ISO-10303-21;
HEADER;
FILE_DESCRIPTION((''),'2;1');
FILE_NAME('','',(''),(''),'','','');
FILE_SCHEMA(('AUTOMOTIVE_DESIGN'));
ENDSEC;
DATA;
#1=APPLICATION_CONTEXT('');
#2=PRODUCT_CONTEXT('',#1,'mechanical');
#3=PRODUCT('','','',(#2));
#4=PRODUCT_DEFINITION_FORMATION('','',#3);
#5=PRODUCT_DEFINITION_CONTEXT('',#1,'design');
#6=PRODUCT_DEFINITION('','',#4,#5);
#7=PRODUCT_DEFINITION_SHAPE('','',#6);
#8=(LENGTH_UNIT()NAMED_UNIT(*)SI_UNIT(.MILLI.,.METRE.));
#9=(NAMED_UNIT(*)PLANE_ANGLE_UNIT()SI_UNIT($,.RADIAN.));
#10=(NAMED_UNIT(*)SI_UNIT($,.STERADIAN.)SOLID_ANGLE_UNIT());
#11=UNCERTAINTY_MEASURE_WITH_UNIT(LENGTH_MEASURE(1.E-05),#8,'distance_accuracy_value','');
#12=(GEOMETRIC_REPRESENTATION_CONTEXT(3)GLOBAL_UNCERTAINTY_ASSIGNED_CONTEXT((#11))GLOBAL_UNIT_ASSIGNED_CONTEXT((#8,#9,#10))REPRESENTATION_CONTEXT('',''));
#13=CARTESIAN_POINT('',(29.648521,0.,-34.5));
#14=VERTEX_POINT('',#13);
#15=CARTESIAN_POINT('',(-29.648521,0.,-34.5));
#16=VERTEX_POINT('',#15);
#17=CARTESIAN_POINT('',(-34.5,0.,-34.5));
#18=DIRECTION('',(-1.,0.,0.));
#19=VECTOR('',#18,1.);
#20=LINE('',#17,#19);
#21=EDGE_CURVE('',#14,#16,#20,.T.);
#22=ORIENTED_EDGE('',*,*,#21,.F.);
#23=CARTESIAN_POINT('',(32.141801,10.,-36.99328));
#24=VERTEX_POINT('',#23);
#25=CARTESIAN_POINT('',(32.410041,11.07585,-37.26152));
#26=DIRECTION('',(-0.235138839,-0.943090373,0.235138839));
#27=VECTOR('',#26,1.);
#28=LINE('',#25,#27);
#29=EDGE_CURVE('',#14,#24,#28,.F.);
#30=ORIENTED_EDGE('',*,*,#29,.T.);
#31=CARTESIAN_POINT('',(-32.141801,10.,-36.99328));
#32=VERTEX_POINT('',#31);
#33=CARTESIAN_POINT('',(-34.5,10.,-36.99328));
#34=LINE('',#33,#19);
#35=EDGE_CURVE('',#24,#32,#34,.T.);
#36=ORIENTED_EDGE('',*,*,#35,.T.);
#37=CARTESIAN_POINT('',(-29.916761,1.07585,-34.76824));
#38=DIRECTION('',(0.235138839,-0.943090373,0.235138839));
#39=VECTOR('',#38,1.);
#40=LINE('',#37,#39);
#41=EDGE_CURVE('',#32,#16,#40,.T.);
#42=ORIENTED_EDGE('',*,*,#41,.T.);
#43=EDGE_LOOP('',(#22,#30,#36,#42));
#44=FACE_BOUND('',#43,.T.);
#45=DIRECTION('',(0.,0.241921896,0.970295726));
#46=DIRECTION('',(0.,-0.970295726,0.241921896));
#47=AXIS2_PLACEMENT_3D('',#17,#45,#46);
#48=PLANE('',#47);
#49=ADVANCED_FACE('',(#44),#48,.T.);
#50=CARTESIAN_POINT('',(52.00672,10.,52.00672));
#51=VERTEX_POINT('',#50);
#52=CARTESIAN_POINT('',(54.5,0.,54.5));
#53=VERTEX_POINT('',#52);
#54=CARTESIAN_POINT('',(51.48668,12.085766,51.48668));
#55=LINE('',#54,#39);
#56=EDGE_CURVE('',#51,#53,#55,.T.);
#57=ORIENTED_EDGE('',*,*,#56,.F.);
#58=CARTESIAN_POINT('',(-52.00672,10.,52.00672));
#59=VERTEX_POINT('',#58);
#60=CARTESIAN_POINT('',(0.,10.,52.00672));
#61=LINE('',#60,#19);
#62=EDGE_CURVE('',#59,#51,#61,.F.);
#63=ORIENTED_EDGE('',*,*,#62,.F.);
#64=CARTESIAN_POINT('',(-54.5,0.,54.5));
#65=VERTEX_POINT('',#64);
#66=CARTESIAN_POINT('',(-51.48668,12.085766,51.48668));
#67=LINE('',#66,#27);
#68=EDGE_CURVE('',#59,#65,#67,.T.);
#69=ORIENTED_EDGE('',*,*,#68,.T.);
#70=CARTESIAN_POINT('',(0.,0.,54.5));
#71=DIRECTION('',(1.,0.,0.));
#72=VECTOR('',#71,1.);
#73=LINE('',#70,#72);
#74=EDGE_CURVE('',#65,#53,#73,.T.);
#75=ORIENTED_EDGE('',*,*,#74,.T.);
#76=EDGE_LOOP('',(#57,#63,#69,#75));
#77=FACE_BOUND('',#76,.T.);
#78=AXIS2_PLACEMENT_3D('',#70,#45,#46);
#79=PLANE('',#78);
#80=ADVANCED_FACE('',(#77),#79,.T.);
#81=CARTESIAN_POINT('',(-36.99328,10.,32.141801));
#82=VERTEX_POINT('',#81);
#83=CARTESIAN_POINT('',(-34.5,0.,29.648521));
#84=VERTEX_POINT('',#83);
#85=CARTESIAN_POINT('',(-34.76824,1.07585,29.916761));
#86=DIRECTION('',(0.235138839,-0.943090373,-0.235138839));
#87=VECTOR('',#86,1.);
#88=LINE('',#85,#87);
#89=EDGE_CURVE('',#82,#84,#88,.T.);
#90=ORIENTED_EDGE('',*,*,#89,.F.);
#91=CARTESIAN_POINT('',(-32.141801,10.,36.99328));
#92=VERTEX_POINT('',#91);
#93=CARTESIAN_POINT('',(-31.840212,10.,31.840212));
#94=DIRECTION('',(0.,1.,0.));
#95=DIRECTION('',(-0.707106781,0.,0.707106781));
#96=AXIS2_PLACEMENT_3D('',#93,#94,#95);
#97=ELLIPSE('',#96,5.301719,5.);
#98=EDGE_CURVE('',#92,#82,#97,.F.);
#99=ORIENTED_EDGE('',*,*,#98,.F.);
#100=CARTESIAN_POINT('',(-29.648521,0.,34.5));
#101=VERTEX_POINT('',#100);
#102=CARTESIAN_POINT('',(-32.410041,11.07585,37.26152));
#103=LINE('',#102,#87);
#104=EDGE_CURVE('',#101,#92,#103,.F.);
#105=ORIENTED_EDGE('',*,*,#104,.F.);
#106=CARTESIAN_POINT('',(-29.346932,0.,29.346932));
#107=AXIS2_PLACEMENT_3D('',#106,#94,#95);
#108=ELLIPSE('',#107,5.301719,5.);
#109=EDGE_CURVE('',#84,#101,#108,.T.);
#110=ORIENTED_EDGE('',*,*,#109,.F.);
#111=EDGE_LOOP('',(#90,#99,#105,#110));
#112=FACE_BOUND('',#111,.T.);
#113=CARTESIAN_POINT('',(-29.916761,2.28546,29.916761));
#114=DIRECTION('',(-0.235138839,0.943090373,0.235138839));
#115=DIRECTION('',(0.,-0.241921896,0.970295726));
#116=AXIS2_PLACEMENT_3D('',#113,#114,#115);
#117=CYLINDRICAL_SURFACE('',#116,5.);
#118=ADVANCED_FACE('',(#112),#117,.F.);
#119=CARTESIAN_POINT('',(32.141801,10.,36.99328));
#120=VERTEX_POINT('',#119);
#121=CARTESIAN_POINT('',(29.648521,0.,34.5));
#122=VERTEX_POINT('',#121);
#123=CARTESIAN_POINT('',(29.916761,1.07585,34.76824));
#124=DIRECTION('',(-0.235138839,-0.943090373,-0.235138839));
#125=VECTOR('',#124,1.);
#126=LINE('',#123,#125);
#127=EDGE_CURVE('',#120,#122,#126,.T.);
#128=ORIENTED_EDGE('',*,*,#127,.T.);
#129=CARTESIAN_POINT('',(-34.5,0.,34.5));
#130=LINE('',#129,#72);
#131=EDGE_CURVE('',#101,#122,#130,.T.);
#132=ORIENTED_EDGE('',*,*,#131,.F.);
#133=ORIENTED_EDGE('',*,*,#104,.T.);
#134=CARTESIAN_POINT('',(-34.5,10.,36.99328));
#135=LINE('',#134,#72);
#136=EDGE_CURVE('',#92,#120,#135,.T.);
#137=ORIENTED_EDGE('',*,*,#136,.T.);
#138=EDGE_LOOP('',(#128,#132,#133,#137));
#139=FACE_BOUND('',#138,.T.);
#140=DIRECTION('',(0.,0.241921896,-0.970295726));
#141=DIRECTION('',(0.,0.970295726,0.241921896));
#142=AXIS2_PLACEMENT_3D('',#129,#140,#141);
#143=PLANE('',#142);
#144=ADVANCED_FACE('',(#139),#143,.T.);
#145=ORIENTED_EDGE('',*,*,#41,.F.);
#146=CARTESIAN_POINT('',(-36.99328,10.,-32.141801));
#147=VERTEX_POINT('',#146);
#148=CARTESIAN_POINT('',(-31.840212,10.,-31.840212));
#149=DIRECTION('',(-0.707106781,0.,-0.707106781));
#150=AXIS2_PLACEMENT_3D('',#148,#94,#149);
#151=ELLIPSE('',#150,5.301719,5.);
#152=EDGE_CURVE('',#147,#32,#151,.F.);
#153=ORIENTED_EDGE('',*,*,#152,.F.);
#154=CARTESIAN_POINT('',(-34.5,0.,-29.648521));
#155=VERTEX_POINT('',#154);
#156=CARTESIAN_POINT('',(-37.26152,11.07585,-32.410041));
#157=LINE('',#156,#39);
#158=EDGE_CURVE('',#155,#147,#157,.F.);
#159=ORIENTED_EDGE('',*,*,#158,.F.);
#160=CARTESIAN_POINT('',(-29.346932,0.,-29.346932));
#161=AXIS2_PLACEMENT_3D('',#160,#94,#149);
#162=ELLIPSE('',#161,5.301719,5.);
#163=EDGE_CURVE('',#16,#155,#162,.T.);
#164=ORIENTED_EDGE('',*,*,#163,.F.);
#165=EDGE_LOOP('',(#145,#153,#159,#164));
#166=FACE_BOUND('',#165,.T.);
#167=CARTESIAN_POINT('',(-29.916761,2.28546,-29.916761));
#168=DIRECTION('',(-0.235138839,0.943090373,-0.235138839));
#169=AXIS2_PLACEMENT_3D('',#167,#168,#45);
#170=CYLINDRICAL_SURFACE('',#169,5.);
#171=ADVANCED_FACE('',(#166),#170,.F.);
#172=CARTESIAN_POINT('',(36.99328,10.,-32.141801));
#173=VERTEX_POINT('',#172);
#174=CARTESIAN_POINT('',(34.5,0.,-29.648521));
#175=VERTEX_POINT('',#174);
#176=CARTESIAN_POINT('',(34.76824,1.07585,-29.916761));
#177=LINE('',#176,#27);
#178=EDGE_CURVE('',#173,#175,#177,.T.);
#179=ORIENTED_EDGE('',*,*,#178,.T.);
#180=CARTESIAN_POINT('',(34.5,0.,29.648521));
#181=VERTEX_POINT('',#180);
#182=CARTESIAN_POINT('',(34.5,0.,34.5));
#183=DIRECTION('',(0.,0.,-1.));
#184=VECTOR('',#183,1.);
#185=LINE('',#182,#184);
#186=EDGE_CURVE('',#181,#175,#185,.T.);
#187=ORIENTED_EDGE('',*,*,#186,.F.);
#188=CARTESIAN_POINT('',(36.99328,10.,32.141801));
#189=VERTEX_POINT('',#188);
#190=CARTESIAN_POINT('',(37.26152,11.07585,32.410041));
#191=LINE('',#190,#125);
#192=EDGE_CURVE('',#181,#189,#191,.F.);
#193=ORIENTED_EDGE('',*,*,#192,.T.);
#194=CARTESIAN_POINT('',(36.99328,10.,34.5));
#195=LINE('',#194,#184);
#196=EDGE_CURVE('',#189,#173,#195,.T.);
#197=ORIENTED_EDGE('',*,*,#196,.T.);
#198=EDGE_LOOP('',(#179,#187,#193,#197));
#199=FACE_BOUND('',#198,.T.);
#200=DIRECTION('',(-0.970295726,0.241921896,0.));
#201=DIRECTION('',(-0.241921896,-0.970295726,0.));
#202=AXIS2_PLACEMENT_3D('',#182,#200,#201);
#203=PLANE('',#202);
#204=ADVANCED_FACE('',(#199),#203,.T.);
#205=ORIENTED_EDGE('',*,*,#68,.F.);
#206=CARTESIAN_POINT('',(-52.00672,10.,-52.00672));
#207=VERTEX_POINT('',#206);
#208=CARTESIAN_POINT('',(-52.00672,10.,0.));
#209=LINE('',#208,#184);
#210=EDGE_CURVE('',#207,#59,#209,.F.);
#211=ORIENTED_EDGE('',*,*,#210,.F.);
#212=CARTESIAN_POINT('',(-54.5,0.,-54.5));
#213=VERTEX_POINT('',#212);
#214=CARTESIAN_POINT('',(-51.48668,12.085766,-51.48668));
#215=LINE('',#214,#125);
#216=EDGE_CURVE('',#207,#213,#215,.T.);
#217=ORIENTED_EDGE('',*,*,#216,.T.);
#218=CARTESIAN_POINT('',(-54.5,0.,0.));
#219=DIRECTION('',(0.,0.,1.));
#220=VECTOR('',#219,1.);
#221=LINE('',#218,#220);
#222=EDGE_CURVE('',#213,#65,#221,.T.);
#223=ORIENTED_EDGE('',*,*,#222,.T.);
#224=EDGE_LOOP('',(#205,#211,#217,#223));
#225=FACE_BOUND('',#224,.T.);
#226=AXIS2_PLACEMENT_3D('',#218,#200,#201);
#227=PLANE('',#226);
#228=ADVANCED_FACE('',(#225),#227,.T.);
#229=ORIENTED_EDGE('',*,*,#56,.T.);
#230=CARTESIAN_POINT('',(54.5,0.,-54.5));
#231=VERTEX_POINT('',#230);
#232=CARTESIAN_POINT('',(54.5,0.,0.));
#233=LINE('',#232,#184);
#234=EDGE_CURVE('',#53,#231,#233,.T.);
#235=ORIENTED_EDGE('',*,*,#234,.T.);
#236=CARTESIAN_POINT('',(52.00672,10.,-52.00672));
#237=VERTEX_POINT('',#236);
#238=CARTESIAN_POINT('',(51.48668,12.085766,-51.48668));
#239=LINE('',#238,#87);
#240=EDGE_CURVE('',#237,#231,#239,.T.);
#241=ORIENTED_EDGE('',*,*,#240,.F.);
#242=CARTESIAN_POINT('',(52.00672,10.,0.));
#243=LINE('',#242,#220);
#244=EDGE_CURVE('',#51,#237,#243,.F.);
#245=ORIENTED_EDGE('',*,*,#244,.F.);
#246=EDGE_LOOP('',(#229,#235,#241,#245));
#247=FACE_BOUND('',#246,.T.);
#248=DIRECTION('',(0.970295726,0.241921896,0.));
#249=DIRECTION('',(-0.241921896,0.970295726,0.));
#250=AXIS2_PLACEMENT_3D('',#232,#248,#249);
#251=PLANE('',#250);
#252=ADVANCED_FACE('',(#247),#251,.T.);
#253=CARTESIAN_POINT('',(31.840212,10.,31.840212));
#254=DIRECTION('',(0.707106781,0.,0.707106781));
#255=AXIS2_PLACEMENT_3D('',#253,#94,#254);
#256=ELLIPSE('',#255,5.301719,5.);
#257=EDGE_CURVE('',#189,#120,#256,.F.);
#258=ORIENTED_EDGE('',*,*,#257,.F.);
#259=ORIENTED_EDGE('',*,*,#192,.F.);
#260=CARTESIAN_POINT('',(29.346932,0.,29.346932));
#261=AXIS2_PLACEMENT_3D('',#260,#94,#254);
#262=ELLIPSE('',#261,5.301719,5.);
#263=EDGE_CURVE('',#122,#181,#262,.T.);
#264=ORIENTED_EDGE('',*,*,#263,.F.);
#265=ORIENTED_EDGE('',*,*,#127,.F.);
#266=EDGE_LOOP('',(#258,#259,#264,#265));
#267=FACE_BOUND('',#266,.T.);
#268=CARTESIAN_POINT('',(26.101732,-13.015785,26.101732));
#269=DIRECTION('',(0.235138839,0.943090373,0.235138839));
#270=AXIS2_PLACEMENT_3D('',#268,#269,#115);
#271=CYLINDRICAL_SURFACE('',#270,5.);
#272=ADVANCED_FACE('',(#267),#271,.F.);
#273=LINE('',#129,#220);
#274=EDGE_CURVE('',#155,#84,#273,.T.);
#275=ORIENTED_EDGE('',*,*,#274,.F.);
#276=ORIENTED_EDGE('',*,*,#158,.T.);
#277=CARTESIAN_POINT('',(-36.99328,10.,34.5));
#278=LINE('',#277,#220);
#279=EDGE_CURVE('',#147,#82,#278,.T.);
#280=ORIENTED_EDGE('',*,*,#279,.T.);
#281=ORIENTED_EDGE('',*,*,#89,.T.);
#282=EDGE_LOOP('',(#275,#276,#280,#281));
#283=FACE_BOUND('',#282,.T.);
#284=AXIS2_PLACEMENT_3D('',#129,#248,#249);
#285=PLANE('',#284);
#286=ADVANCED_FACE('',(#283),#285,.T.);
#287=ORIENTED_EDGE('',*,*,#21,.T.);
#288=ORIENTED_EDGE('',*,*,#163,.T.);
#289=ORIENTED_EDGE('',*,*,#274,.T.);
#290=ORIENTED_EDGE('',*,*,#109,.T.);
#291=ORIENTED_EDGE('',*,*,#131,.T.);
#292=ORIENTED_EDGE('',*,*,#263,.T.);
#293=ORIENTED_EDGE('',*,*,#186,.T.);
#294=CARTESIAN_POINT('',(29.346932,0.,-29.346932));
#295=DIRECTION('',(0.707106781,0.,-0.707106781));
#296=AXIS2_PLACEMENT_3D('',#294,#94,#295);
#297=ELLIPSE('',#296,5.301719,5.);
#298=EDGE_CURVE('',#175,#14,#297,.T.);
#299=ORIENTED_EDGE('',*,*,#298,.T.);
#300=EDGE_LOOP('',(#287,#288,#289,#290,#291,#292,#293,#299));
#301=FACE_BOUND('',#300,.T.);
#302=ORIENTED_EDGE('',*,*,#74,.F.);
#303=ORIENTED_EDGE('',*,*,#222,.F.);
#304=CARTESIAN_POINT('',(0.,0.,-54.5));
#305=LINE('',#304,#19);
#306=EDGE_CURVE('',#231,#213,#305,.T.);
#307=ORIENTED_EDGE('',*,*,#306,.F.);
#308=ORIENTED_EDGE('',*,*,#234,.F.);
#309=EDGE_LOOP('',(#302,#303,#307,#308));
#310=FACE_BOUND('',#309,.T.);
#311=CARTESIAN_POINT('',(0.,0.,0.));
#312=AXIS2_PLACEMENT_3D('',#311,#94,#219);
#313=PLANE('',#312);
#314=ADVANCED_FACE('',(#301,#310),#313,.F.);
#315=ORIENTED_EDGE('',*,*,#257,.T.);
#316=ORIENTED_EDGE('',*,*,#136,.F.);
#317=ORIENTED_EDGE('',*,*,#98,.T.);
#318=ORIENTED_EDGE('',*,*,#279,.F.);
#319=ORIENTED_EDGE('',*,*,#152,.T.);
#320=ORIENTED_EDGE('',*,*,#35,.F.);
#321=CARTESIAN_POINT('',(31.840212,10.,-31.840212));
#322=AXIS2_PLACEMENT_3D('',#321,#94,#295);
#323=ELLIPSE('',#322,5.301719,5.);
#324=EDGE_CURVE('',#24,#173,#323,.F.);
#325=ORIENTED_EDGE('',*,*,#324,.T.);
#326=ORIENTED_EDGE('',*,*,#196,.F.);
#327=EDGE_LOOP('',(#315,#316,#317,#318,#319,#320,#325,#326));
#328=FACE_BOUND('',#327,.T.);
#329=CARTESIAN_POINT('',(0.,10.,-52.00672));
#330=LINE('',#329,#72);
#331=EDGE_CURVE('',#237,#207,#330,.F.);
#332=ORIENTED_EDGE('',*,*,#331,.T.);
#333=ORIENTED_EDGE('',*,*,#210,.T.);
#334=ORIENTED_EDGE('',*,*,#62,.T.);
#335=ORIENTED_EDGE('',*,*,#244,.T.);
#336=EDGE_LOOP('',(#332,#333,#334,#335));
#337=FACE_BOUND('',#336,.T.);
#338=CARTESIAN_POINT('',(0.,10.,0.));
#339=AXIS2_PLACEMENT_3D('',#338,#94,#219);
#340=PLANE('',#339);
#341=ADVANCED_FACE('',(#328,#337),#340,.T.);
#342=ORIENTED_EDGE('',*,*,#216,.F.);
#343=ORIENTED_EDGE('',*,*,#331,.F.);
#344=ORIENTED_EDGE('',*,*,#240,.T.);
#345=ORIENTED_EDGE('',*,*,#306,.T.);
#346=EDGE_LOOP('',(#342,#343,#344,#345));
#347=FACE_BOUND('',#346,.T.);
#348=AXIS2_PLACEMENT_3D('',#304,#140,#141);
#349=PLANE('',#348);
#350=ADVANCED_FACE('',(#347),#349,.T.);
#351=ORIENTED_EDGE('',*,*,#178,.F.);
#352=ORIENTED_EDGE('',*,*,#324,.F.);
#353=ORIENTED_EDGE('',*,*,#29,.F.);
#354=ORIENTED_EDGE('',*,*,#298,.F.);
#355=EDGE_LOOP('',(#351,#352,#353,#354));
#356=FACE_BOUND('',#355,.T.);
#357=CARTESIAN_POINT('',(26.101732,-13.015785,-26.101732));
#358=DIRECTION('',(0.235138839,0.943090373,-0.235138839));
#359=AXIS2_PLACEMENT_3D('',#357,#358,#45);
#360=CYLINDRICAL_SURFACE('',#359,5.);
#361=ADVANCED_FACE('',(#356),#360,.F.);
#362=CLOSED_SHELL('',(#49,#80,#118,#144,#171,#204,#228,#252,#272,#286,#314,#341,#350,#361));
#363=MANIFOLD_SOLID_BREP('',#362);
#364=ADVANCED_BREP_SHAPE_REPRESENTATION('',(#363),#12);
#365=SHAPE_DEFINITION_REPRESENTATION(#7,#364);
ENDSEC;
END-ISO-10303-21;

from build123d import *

# Parameters (mm, degrees)
SKETCH1_W           = 109
SKETCH1_H           = 109
SKETCH1_W_2         = 69
SKETCH1_H_2         = 69
EXTRUDE_THIN1_DEPTH = 10
EXTRUDE_THIN1_TAPER = 14
FILLET1_R           = 5


with BuildPart() as part:
    # Sketch1 → Extrude-Thin1 (new body)
    with BuildSketch(Plane(origin=(0, 0, 0), x_dir=(1, 0, 0), z_dir=(0, 1, 0))):
        Rectangle(SKETCH1_W, SKETCH1_H)
        Rectangle(SKETCH1_W_2, SKETCH1_H_2, mode=Mode.SUBTRACT)
    extrude(amount=EXTRUDE_THIN1_DEPTH, taper=EXTRUDE_THIN1_TAPER)

    # Fillet1
    fillet1_edges = [part.edges().sort_by_distance(p)[0] for p in [
        (35.746640014, 5, 35.746640014),
        (35.746640014, 5, -35.746640014),
        (-35.746640014, 5, -35.746640014),
        (-35.746640014, 5, 35.746640014),
    ]]
    fillet(fillet1_edges, radius=FILLET1_R)


solid = part.part
